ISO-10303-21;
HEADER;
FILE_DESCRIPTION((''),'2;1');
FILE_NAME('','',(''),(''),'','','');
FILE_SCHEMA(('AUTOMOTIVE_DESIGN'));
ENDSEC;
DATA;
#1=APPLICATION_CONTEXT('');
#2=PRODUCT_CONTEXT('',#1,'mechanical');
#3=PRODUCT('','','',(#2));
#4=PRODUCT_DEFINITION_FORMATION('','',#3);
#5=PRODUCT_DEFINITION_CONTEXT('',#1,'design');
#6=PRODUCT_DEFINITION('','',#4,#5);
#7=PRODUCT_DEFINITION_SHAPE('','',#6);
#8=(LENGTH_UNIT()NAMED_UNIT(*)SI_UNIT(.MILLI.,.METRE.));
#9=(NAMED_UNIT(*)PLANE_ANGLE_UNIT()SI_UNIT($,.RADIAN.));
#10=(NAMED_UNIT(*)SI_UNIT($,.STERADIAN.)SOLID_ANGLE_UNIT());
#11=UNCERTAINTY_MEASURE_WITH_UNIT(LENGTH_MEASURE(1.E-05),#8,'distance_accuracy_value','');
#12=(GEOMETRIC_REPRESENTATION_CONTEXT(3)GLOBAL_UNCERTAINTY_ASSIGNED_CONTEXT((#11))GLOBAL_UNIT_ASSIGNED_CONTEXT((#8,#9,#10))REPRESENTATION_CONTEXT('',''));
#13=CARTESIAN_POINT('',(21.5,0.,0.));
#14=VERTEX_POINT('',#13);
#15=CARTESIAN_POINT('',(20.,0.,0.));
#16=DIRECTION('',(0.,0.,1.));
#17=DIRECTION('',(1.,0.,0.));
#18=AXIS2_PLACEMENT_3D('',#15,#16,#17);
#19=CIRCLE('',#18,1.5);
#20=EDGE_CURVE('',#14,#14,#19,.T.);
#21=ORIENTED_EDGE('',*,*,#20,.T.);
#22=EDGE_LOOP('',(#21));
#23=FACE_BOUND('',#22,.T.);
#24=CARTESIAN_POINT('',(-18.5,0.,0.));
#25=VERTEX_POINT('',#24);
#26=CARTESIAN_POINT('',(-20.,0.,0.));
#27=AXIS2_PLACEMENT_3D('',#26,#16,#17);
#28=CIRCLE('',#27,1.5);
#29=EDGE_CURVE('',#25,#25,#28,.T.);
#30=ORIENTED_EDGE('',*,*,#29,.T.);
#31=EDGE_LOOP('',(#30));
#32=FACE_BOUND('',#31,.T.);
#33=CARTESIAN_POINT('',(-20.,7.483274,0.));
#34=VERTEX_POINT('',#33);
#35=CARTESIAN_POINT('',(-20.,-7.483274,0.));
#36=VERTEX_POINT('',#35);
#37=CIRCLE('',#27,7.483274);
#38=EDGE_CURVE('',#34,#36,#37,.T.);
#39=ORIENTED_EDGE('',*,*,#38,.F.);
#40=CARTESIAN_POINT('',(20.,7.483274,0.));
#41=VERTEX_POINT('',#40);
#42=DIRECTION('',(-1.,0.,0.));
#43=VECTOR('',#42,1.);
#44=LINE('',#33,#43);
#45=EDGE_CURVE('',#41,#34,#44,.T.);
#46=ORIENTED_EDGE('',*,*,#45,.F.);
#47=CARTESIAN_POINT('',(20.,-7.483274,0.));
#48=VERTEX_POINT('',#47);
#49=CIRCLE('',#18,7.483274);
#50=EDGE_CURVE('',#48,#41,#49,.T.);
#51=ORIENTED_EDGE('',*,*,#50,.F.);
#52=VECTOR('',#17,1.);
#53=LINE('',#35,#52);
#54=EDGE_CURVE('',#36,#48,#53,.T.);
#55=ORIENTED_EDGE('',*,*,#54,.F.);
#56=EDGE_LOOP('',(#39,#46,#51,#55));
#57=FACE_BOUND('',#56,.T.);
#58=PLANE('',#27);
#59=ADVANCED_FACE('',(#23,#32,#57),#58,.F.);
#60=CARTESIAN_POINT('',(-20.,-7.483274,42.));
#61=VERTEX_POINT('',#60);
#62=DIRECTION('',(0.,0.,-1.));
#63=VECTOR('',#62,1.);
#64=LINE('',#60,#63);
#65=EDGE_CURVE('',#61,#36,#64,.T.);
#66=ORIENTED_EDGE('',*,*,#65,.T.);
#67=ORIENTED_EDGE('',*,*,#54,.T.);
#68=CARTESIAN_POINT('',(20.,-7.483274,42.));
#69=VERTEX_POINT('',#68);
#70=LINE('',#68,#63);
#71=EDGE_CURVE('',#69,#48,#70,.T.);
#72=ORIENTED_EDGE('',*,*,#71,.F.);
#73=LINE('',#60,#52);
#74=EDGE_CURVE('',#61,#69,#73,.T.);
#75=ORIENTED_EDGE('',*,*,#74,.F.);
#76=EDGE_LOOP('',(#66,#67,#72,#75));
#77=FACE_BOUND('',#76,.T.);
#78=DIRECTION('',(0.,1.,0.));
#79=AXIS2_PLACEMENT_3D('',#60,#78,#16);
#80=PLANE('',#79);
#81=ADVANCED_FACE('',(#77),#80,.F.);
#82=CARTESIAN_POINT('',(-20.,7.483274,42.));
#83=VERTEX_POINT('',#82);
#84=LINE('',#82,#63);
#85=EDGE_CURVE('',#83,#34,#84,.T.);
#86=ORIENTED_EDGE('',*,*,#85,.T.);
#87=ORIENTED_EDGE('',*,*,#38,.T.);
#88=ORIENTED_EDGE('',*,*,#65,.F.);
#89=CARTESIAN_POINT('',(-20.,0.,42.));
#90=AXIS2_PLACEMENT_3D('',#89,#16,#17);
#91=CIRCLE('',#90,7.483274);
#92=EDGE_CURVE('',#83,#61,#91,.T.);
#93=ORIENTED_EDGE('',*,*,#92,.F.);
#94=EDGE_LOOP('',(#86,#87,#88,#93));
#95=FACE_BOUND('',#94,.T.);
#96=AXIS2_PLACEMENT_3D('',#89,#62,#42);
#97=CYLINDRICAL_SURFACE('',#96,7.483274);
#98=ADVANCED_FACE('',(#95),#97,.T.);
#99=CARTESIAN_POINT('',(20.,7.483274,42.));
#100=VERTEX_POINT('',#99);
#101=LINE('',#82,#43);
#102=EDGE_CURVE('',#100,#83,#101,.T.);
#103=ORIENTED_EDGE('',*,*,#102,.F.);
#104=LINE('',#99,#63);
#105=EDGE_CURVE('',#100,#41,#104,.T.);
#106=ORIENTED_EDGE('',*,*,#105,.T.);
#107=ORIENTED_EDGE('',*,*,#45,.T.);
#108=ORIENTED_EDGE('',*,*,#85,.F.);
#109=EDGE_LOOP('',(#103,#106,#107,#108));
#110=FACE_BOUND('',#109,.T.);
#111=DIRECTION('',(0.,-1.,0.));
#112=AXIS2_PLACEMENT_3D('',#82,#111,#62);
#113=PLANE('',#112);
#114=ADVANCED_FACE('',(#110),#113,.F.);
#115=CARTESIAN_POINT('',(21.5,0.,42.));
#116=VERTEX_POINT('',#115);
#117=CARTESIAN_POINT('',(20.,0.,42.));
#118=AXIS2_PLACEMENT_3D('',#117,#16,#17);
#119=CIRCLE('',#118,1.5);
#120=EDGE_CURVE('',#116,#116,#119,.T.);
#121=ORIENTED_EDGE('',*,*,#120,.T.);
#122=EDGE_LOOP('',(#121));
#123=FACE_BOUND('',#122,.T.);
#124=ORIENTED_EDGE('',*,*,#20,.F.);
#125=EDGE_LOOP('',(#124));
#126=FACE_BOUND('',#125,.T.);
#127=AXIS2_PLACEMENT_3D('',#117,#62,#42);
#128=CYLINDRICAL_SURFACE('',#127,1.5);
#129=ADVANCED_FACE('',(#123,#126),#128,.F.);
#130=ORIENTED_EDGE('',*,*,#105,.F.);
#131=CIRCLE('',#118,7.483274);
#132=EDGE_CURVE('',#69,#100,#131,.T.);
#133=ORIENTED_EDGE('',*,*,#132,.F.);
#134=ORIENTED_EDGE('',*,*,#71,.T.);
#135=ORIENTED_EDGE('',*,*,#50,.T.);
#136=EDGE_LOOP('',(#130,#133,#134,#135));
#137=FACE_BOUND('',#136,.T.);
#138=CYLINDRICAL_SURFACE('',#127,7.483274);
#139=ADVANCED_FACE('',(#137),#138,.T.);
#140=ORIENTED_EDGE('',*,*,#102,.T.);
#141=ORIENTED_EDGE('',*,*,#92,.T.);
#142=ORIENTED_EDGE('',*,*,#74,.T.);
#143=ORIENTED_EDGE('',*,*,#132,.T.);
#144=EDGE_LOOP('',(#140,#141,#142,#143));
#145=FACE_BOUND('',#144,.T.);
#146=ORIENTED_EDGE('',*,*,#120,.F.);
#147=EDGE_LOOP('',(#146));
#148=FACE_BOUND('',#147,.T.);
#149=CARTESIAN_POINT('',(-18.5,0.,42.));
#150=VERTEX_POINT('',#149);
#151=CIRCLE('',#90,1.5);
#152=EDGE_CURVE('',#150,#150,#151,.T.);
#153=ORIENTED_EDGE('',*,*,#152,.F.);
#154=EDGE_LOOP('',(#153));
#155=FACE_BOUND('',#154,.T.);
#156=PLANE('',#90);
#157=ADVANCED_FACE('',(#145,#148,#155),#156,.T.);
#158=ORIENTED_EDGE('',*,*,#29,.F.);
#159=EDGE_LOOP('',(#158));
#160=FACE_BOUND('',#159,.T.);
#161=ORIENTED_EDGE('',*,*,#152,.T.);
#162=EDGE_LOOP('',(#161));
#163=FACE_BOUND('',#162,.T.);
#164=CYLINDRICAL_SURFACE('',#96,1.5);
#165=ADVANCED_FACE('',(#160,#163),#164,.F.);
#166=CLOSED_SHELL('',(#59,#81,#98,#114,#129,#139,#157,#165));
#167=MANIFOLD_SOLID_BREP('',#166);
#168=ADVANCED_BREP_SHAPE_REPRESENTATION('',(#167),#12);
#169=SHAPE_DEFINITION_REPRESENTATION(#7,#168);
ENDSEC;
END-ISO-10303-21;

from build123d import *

# Parameters (mm, degrees)
SKETCH1_R           = 1.5
BOSS_EXTRUDE1_DEPTH = 42


with BuildPart() as part:
    # Sketch1 → Boss-Extrude1 (new body)
    with BuildSketch(Plane.XY):
        with BuildLine():
            Line((-20, 7.483273932), (20, 7.483273932))
            ThreePointArc((20, 7.483273932), (27.483273932, 0), (20, -7.483273932))
            Line((20, -7.483273932), (-20, -7.483273932))
            ThreePointArc((-20, -7.483273932), (-27.483273932, 0), (-20, 7.483273932))
        make_face()
        with Locations((20, 0)):
            Circle(SKETCH1_R, mode=Mode.SUBTRACT)
        with Locations((-20, 0)):
            Circle(SKETCH1_R, mode=Mode.SUBTRACT)
    extrude(amount=BOSS_EXTRUDE1_DEPTH)


solid = part.part
